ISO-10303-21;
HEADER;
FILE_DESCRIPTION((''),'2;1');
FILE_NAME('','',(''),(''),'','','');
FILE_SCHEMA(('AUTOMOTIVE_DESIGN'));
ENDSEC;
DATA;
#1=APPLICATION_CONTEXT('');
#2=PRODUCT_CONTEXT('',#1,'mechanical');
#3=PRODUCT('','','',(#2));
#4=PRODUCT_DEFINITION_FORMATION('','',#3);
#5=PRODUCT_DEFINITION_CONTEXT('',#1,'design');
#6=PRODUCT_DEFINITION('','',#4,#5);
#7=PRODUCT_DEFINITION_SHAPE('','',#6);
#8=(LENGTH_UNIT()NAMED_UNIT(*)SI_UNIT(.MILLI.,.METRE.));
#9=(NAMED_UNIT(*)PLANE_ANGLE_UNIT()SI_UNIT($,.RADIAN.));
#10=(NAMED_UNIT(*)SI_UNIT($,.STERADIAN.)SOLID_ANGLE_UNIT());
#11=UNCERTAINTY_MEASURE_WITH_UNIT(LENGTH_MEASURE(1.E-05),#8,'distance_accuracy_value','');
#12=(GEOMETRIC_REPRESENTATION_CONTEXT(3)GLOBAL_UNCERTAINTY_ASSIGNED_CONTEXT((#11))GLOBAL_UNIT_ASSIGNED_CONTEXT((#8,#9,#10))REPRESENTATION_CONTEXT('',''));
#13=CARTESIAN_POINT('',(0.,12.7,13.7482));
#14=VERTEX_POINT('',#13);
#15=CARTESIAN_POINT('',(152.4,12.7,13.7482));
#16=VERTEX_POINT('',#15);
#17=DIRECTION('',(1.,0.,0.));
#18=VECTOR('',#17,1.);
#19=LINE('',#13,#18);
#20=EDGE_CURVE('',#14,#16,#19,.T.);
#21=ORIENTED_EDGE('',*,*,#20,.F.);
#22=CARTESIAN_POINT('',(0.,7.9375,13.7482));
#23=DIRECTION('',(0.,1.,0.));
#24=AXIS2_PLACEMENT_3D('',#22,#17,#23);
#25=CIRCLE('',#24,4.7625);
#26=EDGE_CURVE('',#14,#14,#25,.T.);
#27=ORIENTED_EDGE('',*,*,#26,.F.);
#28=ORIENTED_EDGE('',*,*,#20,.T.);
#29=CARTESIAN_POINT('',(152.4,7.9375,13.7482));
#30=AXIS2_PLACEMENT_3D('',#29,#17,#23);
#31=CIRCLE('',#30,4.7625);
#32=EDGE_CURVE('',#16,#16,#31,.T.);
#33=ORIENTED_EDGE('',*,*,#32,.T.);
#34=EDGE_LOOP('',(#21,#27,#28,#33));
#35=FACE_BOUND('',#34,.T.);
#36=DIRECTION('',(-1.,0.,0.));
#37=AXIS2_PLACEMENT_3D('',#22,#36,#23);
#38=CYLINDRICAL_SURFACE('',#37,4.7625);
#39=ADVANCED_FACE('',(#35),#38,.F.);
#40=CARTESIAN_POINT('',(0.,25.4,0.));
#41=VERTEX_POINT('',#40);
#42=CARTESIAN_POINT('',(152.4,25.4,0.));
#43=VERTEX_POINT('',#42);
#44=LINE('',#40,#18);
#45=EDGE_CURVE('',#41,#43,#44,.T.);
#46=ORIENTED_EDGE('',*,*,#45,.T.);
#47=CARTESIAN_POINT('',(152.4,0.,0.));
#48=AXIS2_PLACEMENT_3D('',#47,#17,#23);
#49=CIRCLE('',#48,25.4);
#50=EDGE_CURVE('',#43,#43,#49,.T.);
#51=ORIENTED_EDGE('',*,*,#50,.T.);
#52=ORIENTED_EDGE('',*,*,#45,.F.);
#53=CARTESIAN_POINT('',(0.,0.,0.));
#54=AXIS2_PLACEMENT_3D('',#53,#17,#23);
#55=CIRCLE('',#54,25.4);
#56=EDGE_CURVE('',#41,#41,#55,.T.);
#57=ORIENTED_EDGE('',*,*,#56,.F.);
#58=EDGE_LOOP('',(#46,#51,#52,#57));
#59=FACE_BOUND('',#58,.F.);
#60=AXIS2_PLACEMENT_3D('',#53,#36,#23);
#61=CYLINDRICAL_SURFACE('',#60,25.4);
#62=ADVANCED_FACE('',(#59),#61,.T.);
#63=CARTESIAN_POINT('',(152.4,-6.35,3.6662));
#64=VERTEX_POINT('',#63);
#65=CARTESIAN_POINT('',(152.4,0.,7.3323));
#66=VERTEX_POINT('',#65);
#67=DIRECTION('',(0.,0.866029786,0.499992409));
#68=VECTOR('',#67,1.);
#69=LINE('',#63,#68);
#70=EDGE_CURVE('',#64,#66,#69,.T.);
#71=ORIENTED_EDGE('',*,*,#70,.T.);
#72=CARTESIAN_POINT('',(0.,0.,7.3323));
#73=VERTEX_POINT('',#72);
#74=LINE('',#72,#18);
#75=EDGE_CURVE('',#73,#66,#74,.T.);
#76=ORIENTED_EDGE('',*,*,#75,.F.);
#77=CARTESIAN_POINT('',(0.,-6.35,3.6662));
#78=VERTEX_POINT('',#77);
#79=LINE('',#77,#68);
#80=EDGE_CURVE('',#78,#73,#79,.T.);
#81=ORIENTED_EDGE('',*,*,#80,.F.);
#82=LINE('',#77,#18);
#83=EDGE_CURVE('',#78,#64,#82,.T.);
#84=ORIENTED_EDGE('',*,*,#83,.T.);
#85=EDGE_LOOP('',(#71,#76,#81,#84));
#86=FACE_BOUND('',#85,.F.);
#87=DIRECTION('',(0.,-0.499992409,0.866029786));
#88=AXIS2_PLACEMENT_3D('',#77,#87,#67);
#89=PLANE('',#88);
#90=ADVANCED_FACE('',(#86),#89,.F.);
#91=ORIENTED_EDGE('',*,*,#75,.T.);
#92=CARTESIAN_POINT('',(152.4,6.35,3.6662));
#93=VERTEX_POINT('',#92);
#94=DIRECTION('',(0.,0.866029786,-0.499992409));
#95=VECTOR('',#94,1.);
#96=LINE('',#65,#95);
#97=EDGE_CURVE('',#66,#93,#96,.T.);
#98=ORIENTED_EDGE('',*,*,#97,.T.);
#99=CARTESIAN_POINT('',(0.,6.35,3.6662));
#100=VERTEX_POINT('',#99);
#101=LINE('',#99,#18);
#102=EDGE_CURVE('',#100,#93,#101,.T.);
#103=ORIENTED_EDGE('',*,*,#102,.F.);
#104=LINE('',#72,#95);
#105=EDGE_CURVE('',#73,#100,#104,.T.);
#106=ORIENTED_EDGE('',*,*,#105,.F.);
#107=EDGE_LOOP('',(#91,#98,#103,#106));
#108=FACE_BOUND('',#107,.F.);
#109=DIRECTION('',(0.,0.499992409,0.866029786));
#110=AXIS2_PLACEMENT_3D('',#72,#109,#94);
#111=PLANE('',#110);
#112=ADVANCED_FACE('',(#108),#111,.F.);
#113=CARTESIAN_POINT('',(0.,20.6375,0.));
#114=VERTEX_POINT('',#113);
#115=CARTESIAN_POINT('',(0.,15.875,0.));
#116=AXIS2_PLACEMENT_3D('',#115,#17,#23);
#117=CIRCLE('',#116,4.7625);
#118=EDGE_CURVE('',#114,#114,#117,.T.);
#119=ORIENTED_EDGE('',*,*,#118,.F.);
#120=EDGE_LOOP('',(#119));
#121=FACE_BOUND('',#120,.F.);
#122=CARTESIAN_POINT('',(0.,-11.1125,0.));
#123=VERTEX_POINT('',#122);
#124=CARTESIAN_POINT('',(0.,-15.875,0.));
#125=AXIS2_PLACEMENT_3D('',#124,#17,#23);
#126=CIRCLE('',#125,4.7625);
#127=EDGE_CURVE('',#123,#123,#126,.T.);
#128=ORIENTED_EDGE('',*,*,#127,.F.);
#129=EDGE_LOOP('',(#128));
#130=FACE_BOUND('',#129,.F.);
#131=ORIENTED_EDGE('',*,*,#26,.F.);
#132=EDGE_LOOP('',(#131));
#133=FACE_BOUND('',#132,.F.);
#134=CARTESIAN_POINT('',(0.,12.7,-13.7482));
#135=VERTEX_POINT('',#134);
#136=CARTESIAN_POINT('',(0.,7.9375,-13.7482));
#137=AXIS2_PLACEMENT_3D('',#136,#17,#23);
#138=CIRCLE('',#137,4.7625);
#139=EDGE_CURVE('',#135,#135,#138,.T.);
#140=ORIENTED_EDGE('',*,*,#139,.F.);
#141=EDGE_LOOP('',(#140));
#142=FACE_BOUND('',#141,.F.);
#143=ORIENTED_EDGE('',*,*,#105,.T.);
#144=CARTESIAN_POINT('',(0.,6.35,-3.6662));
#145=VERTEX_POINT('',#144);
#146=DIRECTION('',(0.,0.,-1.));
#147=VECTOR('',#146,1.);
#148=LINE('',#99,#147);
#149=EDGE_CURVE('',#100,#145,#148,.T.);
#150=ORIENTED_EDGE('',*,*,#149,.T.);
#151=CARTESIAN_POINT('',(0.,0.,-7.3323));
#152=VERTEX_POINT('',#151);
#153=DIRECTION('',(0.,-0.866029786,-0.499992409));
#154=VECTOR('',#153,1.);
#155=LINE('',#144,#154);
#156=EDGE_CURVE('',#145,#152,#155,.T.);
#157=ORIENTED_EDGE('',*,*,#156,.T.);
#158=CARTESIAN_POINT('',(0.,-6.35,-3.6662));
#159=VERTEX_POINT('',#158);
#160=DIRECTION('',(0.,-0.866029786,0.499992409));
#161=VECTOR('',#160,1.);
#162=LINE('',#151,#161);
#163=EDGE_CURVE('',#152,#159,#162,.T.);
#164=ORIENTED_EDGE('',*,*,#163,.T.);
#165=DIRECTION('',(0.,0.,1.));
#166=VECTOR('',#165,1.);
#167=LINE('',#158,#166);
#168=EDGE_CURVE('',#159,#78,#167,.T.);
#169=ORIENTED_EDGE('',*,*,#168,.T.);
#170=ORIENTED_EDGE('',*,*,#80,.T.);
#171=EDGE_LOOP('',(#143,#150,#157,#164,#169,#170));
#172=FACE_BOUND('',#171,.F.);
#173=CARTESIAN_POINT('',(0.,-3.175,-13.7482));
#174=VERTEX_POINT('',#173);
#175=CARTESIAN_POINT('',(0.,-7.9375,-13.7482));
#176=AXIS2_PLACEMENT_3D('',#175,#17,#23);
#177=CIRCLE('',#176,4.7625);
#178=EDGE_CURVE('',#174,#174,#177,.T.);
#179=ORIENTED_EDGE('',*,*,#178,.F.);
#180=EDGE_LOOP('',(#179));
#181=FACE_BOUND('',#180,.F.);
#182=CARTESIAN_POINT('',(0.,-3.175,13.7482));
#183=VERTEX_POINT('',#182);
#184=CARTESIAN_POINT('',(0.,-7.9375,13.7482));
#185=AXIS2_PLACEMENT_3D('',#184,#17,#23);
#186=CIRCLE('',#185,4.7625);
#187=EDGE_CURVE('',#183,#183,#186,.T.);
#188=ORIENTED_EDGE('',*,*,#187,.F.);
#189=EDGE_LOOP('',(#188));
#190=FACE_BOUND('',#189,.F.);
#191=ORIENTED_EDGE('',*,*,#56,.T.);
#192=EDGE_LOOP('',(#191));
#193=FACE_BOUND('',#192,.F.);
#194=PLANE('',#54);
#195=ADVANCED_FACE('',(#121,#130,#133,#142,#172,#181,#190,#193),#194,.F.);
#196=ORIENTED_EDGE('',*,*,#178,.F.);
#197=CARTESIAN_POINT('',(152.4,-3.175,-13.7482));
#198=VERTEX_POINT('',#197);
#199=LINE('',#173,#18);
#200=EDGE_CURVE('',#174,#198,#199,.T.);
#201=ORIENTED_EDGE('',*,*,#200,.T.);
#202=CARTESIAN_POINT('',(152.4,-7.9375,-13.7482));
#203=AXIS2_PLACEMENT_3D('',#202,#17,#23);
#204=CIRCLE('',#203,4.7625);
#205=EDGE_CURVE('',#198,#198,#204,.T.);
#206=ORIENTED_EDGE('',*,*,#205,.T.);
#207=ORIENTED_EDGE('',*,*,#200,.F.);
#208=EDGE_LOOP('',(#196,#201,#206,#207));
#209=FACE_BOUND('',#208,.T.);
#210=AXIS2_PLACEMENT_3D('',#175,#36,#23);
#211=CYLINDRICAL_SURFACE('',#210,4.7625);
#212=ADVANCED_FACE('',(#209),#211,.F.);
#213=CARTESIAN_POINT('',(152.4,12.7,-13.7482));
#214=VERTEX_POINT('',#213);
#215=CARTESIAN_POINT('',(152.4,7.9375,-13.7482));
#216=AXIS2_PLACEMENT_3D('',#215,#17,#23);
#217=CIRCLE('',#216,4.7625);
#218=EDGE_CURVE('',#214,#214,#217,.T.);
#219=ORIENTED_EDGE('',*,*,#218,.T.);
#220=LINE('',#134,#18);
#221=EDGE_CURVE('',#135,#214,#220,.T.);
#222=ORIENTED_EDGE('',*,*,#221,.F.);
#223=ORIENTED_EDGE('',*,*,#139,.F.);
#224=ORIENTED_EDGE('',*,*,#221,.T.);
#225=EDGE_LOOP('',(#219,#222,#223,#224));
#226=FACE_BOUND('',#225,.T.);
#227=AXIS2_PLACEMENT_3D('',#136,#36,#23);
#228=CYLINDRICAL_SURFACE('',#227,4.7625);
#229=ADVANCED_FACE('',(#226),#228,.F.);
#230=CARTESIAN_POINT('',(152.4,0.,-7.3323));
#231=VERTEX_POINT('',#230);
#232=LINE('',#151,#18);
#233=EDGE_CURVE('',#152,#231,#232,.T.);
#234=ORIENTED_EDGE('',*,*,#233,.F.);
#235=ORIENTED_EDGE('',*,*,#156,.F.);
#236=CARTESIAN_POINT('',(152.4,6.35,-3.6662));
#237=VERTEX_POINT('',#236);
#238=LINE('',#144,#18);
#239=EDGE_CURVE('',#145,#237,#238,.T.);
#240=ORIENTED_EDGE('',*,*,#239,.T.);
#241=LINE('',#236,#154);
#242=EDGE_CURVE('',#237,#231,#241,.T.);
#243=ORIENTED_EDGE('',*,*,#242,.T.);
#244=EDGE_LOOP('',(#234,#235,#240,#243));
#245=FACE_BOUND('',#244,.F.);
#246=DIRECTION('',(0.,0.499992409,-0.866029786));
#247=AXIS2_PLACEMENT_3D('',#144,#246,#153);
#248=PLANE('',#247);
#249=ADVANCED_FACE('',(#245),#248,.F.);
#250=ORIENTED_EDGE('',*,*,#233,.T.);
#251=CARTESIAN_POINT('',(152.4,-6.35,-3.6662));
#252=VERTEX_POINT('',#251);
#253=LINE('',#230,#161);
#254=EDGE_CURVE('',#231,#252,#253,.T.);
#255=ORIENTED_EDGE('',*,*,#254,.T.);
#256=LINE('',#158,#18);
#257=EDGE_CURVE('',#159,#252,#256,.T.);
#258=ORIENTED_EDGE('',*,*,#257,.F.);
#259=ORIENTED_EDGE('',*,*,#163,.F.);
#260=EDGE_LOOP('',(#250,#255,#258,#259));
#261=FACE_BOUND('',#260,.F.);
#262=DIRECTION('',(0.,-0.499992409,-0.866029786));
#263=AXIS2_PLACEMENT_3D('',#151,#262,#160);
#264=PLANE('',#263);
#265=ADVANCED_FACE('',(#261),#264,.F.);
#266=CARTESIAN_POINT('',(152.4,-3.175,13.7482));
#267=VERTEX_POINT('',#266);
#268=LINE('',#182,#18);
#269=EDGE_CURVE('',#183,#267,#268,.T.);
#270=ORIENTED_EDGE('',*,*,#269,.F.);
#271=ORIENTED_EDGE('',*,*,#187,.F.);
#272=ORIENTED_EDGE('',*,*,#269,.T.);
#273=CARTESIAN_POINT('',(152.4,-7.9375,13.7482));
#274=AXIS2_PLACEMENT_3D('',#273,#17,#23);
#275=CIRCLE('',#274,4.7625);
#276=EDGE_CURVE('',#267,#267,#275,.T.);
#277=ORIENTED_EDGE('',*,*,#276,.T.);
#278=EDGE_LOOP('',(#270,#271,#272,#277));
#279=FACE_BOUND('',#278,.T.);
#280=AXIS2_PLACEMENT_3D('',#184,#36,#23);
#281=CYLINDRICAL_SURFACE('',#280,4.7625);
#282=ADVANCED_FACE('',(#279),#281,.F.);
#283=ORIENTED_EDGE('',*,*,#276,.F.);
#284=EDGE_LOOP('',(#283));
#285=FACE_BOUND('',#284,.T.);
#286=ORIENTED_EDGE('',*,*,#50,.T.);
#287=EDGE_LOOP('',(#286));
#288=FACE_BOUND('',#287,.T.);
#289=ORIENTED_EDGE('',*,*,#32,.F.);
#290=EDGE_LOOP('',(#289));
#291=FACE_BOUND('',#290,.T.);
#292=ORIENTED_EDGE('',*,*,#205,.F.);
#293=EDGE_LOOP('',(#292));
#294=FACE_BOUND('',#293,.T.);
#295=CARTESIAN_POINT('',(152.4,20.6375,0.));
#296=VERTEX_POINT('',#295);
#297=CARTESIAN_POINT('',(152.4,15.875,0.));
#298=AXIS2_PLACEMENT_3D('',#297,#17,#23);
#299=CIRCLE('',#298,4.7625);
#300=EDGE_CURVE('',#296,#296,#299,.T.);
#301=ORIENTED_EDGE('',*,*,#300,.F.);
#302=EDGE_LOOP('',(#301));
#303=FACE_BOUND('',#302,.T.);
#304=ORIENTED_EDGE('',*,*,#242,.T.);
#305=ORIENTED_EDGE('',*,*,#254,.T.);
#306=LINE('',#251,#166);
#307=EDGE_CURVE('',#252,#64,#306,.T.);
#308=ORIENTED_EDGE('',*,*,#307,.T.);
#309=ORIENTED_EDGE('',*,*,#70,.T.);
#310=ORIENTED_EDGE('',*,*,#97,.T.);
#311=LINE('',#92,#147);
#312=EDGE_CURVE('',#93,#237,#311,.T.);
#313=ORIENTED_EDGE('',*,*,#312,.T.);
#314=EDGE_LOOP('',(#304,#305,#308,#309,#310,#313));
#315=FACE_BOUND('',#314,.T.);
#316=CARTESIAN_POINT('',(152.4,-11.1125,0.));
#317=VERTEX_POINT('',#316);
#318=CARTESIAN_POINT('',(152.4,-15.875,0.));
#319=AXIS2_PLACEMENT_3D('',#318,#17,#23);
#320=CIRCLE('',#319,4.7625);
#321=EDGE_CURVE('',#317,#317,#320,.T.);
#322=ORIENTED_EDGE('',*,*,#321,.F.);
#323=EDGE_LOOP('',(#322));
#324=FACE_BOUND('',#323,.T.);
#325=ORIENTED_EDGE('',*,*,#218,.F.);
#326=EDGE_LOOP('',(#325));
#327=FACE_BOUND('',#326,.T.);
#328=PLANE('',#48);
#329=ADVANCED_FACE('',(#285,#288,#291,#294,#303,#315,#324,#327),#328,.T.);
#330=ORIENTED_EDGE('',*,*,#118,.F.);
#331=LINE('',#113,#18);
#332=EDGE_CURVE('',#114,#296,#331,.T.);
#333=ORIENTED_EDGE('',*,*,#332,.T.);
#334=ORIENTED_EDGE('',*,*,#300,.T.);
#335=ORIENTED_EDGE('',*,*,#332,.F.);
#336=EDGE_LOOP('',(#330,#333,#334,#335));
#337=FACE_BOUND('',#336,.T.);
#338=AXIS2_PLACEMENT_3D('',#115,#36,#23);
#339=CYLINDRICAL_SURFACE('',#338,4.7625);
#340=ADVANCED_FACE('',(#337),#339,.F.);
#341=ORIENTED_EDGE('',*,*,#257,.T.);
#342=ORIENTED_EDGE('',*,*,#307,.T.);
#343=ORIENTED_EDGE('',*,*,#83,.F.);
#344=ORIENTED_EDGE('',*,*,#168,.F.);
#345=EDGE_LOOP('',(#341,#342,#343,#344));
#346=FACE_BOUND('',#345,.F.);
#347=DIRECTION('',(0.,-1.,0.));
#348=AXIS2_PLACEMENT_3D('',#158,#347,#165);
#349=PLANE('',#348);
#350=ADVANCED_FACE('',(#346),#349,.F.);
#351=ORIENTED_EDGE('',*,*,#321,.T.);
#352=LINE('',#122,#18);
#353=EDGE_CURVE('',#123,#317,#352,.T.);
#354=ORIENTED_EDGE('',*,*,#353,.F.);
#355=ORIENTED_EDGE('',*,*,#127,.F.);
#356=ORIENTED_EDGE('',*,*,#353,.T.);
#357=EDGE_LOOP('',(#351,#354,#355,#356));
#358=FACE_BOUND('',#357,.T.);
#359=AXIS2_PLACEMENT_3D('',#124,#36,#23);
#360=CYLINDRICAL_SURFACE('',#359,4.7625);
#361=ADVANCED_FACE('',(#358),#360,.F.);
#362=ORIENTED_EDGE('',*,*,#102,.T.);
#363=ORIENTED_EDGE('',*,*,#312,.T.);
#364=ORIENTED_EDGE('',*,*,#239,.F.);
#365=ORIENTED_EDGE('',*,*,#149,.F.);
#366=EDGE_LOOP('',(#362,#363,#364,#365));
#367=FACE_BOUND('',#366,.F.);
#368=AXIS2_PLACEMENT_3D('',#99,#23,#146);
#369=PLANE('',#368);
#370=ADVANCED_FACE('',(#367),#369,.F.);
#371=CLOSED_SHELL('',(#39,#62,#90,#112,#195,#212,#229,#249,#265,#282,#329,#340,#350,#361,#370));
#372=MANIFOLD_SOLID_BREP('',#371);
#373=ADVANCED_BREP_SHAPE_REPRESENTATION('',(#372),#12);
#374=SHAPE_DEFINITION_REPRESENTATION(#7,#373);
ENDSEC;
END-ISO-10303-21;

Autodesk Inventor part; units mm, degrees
ref_plane "YZ Plane" through (0, 0, 0) normal (1, 0, 0) x (0, 1, 0)
ref_plane "XZ Plane" through (0, 0, 0) normal (0, 1, 0) x (-1, 0, 0)
ref_plane "XY Plane" through (0, 0, 0) normal (0, 0, 1) x (1, 0, 0)
sketch "Sketch1" plane through (0, 0, 0) normal (1, 0, 0) x (0, 1, 0)
  line L0 (0, -7.3323) -> (-6.35, -3.6662)
  line L1 (-6.35, -3.6662) -> (-6.35, 3.6662)
  line L2 (-6.35, 3.6662) -> (0, 7.3323)
  line L3 (0, 7.3323) -> (6.35, 3.6662)
  line L4 (6.35, 3.6662) -> (6.35, -3.6662)
  line L5 (6.35, -3.6662) -> (0, -7.3323)
  circle A0 centre (0, 0) radius 25.4
  line L6 (0, 0) -> (15.875, 0) construction
  circle A1 centre (15.875, 0) radius 4.7625
  circle A2 centre (7.9375, 13.7482) radius 4.7625
  line L7 (0, 0) -> (7.9375, 13.7482) construction
  circle A3 centre (-7.9375, 13.7482) radius 4.7625
  line L8 (0, 0) -> (-7.9375, 13.7482) construction
  circle A4 centre (-15.875, 0) radius 4.7625
  line L9 (0, 0) -> (-15.875, 0) construction
  circle A5 centre (-7.9375, -13.7482) radius 4.7625
  line L10 (0, 0) -> (-7.9375, -13.7482) construction
  circle A6 centre (7.9375, -13.7482) radius 4.7625
  line L11 (0, 0) -> (7.9375, -13.7482) construction
  dimension "d0" = 12.7
  dimension "d1" = 50.8
  dimension "d2" = 9.525
  dimension "d3" = 15.875
  dimension "d6" = 360
extrude "Extrusion1" add sketch "Sketch1" along normal blind 152.4
properties part number "winch drum"
